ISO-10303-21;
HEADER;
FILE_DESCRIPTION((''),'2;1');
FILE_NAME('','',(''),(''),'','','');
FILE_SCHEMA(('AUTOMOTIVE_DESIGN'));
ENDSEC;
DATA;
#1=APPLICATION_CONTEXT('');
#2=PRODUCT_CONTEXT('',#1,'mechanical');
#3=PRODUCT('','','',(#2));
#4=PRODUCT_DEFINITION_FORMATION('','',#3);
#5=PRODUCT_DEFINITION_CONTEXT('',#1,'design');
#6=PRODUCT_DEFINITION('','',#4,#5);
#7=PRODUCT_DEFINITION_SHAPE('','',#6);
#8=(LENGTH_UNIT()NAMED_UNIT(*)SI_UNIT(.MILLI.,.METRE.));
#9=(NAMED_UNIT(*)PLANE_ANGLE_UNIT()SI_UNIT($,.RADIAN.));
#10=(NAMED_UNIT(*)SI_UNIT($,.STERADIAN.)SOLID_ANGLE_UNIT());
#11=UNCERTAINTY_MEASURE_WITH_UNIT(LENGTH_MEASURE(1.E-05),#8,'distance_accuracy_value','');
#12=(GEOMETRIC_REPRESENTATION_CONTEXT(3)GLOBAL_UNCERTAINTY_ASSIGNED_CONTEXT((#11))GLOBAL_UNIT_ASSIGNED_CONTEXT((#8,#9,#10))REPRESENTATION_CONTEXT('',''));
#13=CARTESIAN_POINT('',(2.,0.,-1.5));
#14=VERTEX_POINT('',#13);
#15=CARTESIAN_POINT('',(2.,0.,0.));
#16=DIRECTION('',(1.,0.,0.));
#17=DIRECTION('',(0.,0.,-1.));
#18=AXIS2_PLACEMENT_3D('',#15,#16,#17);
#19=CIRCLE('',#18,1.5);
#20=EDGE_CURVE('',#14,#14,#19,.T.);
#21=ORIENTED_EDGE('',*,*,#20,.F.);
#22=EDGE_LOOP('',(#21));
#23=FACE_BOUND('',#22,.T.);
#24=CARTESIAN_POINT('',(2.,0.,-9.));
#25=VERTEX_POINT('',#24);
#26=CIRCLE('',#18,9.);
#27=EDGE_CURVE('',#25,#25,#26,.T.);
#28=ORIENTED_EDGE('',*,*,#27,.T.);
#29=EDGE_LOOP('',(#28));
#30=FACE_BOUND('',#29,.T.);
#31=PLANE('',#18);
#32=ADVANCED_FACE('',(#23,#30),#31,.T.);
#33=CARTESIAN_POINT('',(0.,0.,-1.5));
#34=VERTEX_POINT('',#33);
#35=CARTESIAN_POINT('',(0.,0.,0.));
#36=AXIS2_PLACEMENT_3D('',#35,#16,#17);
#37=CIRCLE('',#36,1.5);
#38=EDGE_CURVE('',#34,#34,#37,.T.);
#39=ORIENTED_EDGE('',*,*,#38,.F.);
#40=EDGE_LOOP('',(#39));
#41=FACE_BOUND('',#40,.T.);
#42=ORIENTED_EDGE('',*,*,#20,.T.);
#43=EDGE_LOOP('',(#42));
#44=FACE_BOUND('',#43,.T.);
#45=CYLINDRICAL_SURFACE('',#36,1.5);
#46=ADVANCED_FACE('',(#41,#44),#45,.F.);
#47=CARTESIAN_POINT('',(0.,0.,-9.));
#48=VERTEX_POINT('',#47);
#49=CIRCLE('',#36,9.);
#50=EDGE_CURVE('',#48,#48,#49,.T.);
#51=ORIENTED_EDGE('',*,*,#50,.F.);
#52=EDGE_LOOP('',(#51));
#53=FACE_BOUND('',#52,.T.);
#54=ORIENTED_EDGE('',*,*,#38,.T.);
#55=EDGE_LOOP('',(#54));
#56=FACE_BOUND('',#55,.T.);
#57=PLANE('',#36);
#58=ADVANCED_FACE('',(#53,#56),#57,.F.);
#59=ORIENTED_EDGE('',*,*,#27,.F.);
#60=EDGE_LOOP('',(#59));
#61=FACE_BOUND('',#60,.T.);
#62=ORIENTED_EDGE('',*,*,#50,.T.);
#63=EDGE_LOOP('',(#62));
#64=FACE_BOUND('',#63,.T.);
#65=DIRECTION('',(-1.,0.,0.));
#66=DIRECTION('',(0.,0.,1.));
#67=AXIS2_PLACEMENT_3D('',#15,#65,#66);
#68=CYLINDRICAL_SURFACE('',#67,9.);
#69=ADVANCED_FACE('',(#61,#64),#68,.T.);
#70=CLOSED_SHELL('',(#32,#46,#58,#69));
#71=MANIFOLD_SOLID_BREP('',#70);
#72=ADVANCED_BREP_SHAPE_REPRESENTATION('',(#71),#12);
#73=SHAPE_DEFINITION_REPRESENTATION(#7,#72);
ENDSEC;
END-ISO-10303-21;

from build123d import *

# Parameters (mm, degrees)
SKETCH1_R           = 9
BOSS_EXTRUDE1_DEPTH = 2
SKETCH2_R           = 1.5
CUT_EXTRUDE1_DEPTH  = 3


with BuildPart() as part:
    # Sketch1 → Boss-Extrude1 (new body)
    with BuildSketch(Plane(origin=(0, 0, 0), x_dir=(0, 0, -1), z_dir=(1, 0, 0))):
        Circle(SKETCH1_R)
    extrude(amount=BOSS_EXTRUDE1_DEPTH)

    # Sketch2 → Cut-Extrude1 (cut, through all)
    with BuildSketch(Plane(origin=(2, 0, 0), x_dir=(0, 0, -1), z_dir=(1, 0, 0))):
        Circle(SKETCH2_R)
    extrude(amount=-CUT_EXTRUDE1_DEPTH, mode=Mode.SUBTRACT)


solid = part.part
